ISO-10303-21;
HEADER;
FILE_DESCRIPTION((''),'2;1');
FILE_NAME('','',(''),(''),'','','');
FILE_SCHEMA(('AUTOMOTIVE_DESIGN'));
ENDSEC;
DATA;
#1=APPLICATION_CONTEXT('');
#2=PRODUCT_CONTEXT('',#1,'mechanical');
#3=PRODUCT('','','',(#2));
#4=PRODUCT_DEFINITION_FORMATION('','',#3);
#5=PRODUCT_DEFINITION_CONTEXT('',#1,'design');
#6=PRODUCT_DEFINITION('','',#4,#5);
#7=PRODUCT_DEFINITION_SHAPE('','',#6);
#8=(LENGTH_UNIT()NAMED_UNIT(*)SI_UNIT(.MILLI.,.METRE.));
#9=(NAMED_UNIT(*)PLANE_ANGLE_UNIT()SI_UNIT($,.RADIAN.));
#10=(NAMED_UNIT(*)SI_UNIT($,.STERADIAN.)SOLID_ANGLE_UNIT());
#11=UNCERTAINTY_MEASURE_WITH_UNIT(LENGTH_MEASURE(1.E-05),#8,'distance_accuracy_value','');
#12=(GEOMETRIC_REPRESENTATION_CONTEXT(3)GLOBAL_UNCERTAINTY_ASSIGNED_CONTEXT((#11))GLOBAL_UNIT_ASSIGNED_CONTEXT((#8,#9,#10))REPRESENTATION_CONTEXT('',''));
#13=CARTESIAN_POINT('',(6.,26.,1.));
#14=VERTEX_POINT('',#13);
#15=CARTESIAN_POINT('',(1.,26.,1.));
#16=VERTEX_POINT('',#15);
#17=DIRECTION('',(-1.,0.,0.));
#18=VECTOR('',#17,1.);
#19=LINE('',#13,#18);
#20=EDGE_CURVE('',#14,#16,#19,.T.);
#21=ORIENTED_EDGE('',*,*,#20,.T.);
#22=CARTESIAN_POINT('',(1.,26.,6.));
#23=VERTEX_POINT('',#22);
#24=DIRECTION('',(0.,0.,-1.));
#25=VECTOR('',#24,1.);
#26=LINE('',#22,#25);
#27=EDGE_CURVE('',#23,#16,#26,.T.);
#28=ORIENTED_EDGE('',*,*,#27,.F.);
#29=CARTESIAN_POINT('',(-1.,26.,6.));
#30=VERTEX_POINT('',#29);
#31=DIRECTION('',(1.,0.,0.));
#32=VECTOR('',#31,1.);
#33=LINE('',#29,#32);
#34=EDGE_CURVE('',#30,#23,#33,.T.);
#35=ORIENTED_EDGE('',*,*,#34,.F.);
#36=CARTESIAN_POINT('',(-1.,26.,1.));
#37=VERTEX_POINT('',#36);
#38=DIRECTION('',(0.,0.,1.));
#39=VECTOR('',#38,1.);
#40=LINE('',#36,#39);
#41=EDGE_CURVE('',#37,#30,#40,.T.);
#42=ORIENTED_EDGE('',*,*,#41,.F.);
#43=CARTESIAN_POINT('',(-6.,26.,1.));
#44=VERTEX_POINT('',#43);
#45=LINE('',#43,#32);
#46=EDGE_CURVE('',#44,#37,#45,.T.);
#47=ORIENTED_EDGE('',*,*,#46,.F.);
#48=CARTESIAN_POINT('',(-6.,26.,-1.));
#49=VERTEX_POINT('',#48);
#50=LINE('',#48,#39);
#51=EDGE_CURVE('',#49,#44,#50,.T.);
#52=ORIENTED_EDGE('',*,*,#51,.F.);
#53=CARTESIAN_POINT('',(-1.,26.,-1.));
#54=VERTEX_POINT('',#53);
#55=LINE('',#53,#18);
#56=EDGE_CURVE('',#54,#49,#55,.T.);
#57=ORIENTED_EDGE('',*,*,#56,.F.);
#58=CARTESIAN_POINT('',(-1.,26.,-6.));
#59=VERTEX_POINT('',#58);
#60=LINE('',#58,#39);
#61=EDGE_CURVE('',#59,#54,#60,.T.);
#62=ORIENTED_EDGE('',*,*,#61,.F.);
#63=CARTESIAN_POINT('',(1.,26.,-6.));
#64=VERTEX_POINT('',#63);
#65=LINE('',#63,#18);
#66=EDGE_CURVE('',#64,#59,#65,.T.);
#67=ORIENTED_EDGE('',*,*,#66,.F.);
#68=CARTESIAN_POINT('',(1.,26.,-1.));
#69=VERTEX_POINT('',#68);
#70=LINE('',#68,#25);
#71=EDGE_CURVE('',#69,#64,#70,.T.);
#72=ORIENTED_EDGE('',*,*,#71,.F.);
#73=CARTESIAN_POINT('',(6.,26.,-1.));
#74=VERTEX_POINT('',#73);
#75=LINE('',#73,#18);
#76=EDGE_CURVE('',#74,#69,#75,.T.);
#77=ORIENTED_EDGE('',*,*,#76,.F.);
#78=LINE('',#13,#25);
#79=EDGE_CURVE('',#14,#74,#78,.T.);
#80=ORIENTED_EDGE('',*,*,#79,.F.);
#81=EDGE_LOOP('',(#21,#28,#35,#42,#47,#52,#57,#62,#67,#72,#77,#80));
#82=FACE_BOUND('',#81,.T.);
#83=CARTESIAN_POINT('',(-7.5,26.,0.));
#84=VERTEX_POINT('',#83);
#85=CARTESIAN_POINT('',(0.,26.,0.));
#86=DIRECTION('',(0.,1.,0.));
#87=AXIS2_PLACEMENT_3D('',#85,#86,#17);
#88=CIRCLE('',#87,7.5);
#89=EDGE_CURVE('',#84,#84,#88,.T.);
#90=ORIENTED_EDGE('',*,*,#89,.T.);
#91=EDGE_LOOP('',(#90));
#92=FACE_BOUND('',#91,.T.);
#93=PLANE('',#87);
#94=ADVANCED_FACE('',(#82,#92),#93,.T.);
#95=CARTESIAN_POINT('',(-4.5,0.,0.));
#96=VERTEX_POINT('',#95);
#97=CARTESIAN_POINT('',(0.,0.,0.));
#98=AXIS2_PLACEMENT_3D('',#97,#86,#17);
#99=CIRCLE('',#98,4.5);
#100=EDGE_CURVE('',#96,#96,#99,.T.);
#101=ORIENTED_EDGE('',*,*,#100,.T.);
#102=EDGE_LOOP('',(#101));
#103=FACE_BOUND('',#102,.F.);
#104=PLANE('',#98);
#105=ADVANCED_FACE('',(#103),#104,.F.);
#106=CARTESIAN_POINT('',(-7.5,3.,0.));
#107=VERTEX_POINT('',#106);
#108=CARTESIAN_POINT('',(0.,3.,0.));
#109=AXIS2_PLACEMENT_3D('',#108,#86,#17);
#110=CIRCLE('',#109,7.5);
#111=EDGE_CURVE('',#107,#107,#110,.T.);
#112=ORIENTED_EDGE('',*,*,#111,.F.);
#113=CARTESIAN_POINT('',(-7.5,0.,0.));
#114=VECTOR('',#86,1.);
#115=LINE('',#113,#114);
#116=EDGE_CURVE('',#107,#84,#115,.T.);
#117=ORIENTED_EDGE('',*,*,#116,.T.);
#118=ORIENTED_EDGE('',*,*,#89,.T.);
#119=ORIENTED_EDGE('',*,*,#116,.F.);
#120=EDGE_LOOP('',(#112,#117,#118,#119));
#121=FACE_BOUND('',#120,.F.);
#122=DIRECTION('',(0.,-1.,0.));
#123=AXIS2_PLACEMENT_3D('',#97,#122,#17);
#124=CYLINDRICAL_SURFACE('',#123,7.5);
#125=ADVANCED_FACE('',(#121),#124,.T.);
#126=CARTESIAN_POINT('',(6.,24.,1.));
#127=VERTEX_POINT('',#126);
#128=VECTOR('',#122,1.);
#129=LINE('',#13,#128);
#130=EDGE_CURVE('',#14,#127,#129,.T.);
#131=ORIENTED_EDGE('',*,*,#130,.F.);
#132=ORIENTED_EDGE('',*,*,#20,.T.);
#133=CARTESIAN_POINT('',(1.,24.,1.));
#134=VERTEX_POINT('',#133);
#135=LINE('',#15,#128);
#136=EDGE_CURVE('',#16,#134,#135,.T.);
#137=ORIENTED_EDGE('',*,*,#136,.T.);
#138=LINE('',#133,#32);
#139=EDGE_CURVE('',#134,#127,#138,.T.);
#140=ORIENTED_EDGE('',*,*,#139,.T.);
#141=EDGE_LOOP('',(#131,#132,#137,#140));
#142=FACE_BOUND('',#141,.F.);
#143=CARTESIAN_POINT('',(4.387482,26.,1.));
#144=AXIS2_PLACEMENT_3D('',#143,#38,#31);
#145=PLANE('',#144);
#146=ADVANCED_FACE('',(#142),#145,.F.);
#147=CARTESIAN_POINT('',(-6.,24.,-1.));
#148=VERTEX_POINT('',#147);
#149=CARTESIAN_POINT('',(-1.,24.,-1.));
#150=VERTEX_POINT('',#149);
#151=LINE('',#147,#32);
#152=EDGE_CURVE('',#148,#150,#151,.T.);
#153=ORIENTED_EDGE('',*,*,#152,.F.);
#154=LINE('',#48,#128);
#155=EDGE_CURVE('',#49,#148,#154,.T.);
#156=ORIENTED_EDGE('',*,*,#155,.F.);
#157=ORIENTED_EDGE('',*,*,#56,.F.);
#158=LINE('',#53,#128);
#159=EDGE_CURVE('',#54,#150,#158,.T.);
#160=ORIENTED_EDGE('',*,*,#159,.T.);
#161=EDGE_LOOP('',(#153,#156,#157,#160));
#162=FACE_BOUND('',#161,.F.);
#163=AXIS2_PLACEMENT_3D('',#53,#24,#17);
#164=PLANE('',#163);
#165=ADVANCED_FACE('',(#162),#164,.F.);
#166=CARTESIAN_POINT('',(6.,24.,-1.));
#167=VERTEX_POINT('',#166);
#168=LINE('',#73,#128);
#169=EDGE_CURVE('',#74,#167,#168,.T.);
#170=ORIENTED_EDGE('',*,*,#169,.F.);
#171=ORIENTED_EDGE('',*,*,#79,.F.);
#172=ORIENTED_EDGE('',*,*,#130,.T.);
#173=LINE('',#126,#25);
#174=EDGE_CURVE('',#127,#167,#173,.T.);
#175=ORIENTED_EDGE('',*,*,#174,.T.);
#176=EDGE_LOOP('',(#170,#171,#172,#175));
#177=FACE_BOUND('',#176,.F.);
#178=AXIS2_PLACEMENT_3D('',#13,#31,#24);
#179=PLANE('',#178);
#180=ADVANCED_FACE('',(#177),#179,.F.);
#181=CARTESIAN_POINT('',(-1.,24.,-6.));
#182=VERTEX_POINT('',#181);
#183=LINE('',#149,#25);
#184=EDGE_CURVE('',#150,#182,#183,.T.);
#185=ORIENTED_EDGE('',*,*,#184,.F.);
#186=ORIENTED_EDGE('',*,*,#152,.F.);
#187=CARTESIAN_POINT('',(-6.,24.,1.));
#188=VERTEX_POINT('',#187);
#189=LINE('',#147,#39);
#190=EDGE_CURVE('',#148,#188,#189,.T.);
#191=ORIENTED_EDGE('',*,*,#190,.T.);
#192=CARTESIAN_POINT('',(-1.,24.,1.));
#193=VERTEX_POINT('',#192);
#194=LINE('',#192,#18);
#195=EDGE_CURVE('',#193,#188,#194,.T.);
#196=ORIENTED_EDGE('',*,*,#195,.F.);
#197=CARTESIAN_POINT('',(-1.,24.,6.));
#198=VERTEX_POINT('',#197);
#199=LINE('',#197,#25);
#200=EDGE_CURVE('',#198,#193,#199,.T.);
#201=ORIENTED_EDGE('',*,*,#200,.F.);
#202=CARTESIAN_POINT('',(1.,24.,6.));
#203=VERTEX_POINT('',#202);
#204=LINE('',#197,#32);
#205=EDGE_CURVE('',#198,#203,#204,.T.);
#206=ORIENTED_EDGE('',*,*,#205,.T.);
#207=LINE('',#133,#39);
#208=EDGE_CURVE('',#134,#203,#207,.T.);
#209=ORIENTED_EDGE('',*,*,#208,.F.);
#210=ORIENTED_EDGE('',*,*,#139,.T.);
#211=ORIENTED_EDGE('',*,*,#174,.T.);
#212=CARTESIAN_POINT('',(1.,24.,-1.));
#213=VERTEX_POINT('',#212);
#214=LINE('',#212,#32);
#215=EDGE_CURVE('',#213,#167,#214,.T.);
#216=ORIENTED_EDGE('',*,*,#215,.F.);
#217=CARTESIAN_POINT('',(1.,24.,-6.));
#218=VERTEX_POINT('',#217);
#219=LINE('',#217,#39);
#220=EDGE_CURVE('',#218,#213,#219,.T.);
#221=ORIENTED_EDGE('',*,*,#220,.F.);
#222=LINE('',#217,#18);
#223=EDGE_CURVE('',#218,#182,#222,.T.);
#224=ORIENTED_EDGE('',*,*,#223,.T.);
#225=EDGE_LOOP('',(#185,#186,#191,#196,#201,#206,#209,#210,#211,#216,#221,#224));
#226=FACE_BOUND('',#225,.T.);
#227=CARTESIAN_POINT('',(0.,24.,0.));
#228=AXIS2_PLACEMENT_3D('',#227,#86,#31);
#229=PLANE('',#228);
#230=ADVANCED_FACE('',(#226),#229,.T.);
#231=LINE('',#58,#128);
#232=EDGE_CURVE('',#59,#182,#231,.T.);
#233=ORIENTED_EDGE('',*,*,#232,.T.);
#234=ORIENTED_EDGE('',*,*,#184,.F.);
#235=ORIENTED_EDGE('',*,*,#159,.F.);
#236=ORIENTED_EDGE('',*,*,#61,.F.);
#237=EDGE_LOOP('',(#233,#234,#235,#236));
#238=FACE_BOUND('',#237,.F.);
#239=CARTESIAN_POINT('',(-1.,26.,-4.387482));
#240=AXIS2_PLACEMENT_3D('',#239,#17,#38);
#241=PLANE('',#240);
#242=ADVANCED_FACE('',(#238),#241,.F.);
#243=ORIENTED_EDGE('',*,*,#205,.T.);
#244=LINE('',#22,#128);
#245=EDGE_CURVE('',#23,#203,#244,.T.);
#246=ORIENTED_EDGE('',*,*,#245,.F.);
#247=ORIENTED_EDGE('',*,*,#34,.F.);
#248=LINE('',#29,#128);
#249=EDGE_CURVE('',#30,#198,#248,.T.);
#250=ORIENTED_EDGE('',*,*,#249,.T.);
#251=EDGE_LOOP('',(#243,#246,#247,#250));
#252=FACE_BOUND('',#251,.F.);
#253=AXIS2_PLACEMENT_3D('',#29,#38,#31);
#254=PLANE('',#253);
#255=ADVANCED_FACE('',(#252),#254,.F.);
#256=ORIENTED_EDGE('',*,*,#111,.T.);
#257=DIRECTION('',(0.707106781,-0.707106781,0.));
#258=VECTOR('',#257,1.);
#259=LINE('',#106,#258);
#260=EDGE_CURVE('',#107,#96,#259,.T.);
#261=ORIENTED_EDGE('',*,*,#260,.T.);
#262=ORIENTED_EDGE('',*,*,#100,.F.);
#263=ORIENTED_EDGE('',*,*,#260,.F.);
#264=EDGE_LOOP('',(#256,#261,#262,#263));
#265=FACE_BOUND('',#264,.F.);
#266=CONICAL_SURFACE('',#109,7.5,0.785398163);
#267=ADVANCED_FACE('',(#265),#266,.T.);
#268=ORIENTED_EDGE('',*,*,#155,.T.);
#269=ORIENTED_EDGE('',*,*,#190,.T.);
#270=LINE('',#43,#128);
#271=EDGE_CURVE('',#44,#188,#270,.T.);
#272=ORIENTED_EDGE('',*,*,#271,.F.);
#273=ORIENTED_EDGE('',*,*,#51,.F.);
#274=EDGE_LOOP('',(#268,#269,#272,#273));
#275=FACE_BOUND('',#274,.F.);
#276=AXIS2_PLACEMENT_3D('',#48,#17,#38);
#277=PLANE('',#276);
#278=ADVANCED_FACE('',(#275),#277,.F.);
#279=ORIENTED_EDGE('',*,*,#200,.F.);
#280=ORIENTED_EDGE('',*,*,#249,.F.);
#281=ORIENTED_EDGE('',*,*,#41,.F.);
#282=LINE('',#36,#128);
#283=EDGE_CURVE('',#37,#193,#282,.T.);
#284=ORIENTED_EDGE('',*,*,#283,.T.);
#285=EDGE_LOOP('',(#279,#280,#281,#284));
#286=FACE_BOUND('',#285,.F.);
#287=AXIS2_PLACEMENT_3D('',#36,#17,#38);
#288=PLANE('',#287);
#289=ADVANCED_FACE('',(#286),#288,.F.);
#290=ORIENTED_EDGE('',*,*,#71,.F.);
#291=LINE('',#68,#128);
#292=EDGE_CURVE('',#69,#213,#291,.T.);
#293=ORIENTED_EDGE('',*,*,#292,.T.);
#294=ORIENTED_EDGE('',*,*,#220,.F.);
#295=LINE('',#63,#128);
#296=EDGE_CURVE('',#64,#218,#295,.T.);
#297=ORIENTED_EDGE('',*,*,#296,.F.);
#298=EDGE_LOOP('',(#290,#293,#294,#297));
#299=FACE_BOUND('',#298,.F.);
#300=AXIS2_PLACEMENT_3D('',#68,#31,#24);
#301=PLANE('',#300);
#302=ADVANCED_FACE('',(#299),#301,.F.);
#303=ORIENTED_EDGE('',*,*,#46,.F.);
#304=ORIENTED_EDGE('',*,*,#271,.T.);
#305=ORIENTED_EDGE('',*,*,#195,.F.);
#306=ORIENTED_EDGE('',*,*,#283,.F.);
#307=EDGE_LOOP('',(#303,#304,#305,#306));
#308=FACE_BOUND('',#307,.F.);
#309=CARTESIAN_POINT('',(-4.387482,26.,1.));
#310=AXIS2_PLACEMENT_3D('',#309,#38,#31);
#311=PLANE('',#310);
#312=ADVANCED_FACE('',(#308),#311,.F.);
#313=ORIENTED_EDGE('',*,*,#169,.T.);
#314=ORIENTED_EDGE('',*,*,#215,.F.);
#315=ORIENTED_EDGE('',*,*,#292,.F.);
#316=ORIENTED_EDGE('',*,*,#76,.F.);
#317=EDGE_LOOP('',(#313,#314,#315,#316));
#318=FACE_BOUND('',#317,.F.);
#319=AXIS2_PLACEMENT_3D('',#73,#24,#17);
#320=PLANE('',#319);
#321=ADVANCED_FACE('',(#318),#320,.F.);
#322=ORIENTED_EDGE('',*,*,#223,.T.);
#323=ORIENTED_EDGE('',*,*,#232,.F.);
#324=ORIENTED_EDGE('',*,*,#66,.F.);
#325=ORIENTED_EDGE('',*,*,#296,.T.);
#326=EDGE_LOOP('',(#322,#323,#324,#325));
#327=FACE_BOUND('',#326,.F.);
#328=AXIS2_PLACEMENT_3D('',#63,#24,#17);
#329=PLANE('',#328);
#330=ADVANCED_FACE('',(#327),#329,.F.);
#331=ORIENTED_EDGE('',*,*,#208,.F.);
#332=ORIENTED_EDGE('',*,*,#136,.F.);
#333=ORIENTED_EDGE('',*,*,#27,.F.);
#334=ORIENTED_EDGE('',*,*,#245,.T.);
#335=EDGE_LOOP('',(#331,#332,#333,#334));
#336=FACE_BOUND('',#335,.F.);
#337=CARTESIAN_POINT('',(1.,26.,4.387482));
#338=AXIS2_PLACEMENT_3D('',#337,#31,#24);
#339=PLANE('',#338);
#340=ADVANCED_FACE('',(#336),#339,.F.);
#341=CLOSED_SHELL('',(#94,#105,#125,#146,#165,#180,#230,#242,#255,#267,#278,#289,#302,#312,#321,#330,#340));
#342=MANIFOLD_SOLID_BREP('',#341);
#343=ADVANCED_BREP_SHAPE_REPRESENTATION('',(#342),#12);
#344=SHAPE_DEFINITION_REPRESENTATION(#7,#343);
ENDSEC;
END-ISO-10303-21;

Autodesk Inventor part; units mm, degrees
ref_plane "YZ Plane" through (0, 0, 0) normal (1, 0, 0) x (0, 1, 0)
ref_plane "XZ Plane" through (0, 0, 0) normal (0, 1, 0) x (-1, 0, 0)
ref_plane "XY Plane" through (0, 0, 0) normal (0, 0, 1) x (1, 0, 0)
sketch "Esquisse1" plane through (0, 0, 0) normal (0, 1, 0) x (-1, 0, 0)
  circle A0 centre (0, 0) radius 7.5
  dimension "d0" = 15
extrude "Extrusion1" add sketch "Esquisse1" along normal blind 26
chamfer "Chanfrein1" distance 3 angle 45 1 edges at (7.5, 0, 0)
sketch "Esquisse2" plane through (0, 26, 0) normal (0, 1, 0) x (1, 0, 0)
  line L0 (6, -1) -> (6, 1)
  line L1 (-6, 1) -> (-6, -1)
  line L2 (-1, -6) -> (1, -6)
  line L3 (1, 6) -> (-1, 6)
  circle A0 centre (0, 0) radius 7.5 projected
  line L4 (-1, 6) -> (-1, 1)
  line L5 (-1, -1) -> (-1, -6)
  line L6 (1, -6) -> (1, -1)
  line L7 (1, 1) -> (1, 6)
  line L8 (6, 1) -> (1, 1)
  line L9 (-1, 1) -> (-6, 1)
  line L10 (-6, -1) -> (-1, -1)
  line L11 (1, -1) -> (6, -1)
  circle A1 centre (0, 0) radius 4.5 projected
  dimension "d6" = 6
  dimension "d7" = 6
  dimension "d8" = 6
  dimension "d9" = 6
  dimension "d16" = 1
  dimension "d17" = 1
  dimension "d18" = 1
  dimension "d19" = 1
  dimension "d20" = 1
  dimension "d21" = 1
  dimension "d22" = 1
  dimension "d23" = 1
extrude "Extrusion2" cut sketch "Esquisse2" against normal blind 2 contours L11 A1 L8 L0 | L11 L6 A1 L5 L10 L9 L4 L7 L8 | L6 L2 L5 A1 | A1 L4 L3 L7 | L10 L1 L9 A1
sketch "Esquisse3" plane through (0, 24, 0) normal (0, 1, 0) x (1, 0, 0)
  point P0 (0, 0)
properties part number "Pion croix"
